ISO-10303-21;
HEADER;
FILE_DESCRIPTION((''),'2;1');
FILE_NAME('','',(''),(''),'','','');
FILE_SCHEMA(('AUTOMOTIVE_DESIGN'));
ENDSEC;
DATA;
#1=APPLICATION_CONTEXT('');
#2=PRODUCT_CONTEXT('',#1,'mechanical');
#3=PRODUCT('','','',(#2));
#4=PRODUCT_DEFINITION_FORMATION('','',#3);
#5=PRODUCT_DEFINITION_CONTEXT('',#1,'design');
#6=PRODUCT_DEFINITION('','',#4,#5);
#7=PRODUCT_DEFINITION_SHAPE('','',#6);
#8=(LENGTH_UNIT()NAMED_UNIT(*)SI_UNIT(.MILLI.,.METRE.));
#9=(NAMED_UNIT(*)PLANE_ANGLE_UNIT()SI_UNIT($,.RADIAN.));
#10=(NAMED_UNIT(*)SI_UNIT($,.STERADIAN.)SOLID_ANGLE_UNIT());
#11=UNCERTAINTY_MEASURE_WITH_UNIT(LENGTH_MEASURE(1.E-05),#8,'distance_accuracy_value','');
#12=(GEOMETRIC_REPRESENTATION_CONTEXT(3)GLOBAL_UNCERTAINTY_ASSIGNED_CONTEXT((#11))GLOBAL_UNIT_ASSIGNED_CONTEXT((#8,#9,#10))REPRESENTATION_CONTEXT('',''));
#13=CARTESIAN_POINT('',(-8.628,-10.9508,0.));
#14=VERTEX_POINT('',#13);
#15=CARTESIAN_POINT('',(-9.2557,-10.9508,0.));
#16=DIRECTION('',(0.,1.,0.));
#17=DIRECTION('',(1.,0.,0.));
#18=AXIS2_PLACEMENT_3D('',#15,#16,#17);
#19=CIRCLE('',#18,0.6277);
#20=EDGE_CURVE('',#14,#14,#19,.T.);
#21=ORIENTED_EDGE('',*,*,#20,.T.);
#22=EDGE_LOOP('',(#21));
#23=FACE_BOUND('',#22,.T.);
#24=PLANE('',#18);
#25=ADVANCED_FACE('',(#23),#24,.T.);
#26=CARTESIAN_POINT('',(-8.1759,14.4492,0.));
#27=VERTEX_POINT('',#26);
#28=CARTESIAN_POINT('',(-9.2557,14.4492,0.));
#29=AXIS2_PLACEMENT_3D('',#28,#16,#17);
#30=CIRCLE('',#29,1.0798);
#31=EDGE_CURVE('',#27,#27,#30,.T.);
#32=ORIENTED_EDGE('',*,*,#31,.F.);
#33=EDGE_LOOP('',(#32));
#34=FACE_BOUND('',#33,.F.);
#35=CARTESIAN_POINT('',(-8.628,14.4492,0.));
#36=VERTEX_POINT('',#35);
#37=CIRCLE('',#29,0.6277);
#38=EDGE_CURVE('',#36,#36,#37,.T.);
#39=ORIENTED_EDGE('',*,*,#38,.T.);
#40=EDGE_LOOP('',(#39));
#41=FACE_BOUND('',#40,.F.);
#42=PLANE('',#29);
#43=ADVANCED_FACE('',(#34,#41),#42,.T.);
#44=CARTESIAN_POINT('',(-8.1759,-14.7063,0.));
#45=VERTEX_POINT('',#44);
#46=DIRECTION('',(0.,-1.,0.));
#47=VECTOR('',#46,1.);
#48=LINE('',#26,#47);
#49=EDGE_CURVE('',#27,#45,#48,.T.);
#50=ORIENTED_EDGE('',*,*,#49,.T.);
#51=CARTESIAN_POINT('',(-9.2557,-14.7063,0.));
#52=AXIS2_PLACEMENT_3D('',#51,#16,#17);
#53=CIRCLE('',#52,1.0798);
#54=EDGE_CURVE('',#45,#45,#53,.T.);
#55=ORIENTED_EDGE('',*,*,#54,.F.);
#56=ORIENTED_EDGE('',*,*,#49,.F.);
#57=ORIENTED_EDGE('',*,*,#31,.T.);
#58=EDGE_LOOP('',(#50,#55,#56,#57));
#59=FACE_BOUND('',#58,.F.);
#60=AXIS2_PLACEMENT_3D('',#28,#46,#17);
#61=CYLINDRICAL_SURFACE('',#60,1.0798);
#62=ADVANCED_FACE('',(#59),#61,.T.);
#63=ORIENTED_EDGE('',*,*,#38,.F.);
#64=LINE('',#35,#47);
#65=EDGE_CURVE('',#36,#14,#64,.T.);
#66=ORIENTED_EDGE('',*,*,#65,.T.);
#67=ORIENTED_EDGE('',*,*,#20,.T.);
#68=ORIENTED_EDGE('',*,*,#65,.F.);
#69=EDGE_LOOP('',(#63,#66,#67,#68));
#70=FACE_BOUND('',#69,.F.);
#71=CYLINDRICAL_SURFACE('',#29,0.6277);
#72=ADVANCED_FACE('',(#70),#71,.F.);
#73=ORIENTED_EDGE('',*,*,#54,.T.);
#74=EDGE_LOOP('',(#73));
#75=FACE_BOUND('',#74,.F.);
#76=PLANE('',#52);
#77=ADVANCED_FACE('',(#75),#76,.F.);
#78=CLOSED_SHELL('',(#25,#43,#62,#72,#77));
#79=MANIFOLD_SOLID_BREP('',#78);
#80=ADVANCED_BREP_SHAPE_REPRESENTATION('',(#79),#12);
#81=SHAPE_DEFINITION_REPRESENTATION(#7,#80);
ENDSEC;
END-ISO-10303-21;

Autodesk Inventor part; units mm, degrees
ref_plane "YZ Plane" through (0, 0, 0) normal (1, 0, 0) x (0, 1, 0)
ref_plane "XZ Plane" through (0, 0, 0) normal (0, 1, 0) x (-1, 0, 0)
ref_plane "XY Plane" through (0, 0, 0) normal (0, 0, 1) x (1, 0, 0)
sketch "Sketch1" plane through (0, 0, 0) normal (0, 0, 1) x (1, 0, 0)
  point P0 (0, 0)
sketch "Sketch2" plane through (0, 0, 0) normal (0, 0, 1) x (1, 0, 0)
  line L0 (-9.2557, 14.4492) -> (-8.1759, 14.4492)
  line L1 (-8.1759, 14.4492) -> (-8.1759, -14.7063)
  line L2 (-8.1759, -14.7063) -> (-9.2557, -14.7063)
  line L3 (-9.2557, -14.7063) -> (-9.2557, 14.4492)
  point P0 (0, 0)
revolve "Revolution1" add sketch "Sketch2" angle 360 about axis through (-9.2557, -14.7063, 0) along (0, 1, 0)
sketch "Sketch3" plane through (-9.2557, 14.4492, 0) normal (0, 1, 0) x (1, 0, 0)
  circle A0 centre (0, 0) radius 1.0798 projected
  circle A1 centre (0, 0) radius 0.6277
  point P0 (9.2557, 0)
sketch "Sketch4" plane through (-9.2557, 14.4492, 0) normal (0, 1, 0) x (1, 0, 0)
  point P0 (9.2557, 0)
extrude "Extrusion1" cut sketch "Sketch3" against normal blind 25.4 contours A1
properties part number "stem1"
